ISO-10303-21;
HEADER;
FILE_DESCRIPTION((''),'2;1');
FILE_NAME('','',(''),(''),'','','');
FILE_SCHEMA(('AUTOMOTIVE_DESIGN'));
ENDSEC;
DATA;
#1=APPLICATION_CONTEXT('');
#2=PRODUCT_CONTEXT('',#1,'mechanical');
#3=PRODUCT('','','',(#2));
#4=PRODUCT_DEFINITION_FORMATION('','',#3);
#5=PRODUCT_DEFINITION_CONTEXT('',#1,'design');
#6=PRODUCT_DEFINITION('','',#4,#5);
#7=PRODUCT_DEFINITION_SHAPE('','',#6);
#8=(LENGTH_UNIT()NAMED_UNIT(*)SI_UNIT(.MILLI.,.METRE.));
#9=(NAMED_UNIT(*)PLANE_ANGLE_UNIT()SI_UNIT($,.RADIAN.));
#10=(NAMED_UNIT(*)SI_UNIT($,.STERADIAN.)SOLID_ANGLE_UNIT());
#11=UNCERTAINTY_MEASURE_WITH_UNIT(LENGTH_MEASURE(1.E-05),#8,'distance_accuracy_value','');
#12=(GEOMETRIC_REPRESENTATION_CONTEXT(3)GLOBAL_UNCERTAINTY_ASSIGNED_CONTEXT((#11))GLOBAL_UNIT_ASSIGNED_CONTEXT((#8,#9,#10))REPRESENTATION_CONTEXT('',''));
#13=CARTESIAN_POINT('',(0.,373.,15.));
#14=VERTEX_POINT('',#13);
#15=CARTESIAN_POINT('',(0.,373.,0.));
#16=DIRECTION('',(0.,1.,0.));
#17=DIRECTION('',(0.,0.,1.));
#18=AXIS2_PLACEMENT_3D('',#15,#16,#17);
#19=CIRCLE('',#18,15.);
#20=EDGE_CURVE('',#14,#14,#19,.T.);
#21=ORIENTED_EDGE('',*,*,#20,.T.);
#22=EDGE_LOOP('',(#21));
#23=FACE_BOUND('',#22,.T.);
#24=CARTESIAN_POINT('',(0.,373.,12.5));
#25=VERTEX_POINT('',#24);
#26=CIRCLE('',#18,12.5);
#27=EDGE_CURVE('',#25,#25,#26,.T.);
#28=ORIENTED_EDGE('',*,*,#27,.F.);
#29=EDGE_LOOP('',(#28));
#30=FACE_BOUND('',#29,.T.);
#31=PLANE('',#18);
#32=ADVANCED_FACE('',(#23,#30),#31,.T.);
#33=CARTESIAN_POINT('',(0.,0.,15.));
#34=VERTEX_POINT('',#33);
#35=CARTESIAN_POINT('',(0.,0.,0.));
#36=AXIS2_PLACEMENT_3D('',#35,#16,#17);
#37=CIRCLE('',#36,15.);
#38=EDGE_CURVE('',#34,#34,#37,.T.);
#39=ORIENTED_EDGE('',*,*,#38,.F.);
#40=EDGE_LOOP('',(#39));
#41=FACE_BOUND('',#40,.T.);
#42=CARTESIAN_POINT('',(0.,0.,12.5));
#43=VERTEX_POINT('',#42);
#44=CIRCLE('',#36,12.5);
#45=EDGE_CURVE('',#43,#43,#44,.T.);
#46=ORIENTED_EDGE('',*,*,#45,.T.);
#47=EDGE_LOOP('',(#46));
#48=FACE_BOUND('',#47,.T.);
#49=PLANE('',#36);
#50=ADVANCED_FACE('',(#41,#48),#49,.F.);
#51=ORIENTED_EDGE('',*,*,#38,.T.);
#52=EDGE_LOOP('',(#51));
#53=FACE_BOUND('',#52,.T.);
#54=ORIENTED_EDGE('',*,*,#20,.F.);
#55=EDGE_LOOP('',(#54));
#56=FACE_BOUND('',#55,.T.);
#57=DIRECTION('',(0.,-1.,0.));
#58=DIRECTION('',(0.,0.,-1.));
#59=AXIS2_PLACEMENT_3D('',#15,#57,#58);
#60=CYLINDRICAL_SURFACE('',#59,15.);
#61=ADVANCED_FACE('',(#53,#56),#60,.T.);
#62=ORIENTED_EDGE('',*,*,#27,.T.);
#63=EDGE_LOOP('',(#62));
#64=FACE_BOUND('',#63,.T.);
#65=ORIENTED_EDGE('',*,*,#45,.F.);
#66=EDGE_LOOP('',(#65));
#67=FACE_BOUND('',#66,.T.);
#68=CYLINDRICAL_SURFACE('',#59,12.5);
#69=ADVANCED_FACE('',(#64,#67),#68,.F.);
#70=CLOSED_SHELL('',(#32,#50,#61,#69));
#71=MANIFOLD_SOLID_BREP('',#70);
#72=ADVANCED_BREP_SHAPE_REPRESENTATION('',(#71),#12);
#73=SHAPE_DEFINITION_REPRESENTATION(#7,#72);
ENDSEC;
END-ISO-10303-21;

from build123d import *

# Parameters (mm, degrees)
SKETCH_1_R      = 15
SKETCH_1_R_2    = 12.5
EXTRUDE_1_DEPTH = 373


with BuildPart() as part:
    # Эскиз1 → Вытянуть1 (new body)
    with BuildSketch(Plane(origin=(0, 0, 0), x_dir=(1, 0, 0), z_dir=(0, 1, 0))):
        with Locations(Location((0, 0, 0), (0, 0, 270))):
            Circle(SKETCH_1_R)
        with Locations(Location((0, 0, 0), (0, 0, 270))):
            Circle(SKETCH_1_R_2, mode=Mode.SUBTRACT)
    extrude(amount=EXTRUDE_1_DEPTH)


solid = part.part
